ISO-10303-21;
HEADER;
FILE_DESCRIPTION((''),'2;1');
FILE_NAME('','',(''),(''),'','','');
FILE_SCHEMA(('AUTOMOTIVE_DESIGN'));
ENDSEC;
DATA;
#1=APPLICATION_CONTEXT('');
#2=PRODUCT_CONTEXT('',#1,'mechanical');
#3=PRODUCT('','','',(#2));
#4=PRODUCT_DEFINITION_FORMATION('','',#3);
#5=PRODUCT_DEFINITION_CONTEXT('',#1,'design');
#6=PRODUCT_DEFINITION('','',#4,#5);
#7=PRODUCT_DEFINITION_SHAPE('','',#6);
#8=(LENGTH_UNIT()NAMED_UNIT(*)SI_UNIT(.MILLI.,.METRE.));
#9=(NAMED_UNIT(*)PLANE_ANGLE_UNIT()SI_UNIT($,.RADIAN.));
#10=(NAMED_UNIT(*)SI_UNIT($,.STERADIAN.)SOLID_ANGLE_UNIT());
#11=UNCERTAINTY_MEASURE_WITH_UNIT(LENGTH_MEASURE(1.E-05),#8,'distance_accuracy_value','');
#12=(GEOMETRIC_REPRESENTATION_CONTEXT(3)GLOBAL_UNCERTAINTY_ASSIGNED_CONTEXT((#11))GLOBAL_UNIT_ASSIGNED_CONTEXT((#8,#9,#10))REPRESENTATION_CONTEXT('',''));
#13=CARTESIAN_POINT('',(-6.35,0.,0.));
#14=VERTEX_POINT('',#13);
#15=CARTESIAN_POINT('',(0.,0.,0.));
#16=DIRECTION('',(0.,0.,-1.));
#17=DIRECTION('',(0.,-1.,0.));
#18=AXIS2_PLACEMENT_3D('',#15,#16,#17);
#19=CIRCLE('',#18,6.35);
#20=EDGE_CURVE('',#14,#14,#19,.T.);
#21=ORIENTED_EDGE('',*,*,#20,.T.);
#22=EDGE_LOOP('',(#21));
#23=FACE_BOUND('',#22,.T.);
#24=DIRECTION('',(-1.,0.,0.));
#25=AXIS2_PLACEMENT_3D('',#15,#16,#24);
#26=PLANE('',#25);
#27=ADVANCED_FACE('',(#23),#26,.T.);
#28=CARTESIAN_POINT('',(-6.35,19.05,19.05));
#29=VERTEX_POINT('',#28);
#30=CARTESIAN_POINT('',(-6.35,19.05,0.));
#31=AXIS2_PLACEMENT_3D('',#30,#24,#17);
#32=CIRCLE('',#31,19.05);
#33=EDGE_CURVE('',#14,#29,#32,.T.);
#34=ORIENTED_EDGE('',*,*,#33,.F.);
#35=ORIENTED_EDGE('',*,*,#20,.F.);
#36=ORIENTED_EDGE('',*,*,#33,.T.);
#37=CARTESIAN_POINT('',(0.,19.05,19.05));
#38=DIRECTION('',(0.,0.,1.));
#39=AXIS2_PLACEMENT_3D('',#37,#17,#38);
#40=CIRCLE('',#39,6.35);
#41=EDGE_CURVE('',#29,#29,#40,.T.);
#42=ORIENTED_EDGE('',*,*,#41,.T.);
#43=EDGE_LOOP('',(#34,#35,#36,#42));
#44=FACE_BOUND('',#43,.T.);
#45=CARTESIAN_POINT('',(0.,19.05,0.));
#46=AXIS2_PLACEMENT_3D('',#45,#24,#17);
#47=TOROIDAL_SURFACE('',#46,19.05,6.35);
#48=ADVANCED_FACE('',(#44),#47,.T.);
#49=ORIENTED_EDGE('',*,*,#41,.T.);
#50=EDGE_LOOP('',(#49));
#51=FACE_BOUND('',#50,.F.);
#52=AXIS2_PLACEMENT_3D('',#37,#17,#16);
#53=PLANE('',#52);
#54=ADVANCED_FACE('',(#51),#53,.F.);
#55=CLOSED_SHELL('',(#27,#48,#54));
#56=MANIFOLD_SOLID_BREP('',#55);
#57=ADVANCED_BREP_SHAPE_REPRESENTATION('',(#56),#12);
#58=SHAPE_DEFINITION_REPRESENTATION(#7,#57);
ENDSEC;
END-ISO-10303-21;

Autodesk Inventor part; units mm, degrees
ref_plane "Start Plane" through (0, 0, 0) normal (0, 0, 1) x (1, 0, 0)
ref_plane "End Plane" through (0, 0, 29.9237) normal (0, 0, 1) x (1, 0, 0)
sketch "Sketch" plane through (0, 0, 0) normal (0, 0, -1) x (-1, 0, 0)
  circle A0 centre (0, 0) radius 6.35
  dimension "d0" = 12.7
sketch "Sketch2" plane through (0, 0, 0) normal (0, 0, 1) x (1, 0, 0)
  line L0 (0, 0) -> (10, 0)
ref_plane "Work Plane3" through (0, 0, 0) normal (0, -1, 0) x (1, 0, 0)
ref_plane "Orientation Work Plane" through (0, 0, 0) normal (0, 0, -1) x (-1, 0, 0)
sketch3d "Sweep Path"
  arc A0 (0, 0, 0) -> (0, 19.05, 19.05) centre (0, 19.05, 0) ccw
sweep "Body" add profiles "Sketch" path "Sweep Path"
sketch "Sketch3" plane through (0, 0, 0) normal (0, -1, 0) x (1, 0, 0)
  line L0 (-2, 0) -> (12, 0) projected
  line L1 (-9.62, 29.9237) -> (13.27, 29.9237) projected
  dimension "d7" = 29.9237
equation "\"d0\" = Diam"
equation "\"Diam\" = 12.7"
equation "\"G_L\" = d7"
equation "\"G_OFFSET_START\" = 0"
equation "\"G_OFFSET_END\" = 0"
equation "\"d5\" = G_OFFSET_END + B_L"
equation "\"B_L\" = 29.92367"
properties part number "ANSI/AISC Rolled Steel - 1/2-1.178, RB" material "Aluminum 6061"
